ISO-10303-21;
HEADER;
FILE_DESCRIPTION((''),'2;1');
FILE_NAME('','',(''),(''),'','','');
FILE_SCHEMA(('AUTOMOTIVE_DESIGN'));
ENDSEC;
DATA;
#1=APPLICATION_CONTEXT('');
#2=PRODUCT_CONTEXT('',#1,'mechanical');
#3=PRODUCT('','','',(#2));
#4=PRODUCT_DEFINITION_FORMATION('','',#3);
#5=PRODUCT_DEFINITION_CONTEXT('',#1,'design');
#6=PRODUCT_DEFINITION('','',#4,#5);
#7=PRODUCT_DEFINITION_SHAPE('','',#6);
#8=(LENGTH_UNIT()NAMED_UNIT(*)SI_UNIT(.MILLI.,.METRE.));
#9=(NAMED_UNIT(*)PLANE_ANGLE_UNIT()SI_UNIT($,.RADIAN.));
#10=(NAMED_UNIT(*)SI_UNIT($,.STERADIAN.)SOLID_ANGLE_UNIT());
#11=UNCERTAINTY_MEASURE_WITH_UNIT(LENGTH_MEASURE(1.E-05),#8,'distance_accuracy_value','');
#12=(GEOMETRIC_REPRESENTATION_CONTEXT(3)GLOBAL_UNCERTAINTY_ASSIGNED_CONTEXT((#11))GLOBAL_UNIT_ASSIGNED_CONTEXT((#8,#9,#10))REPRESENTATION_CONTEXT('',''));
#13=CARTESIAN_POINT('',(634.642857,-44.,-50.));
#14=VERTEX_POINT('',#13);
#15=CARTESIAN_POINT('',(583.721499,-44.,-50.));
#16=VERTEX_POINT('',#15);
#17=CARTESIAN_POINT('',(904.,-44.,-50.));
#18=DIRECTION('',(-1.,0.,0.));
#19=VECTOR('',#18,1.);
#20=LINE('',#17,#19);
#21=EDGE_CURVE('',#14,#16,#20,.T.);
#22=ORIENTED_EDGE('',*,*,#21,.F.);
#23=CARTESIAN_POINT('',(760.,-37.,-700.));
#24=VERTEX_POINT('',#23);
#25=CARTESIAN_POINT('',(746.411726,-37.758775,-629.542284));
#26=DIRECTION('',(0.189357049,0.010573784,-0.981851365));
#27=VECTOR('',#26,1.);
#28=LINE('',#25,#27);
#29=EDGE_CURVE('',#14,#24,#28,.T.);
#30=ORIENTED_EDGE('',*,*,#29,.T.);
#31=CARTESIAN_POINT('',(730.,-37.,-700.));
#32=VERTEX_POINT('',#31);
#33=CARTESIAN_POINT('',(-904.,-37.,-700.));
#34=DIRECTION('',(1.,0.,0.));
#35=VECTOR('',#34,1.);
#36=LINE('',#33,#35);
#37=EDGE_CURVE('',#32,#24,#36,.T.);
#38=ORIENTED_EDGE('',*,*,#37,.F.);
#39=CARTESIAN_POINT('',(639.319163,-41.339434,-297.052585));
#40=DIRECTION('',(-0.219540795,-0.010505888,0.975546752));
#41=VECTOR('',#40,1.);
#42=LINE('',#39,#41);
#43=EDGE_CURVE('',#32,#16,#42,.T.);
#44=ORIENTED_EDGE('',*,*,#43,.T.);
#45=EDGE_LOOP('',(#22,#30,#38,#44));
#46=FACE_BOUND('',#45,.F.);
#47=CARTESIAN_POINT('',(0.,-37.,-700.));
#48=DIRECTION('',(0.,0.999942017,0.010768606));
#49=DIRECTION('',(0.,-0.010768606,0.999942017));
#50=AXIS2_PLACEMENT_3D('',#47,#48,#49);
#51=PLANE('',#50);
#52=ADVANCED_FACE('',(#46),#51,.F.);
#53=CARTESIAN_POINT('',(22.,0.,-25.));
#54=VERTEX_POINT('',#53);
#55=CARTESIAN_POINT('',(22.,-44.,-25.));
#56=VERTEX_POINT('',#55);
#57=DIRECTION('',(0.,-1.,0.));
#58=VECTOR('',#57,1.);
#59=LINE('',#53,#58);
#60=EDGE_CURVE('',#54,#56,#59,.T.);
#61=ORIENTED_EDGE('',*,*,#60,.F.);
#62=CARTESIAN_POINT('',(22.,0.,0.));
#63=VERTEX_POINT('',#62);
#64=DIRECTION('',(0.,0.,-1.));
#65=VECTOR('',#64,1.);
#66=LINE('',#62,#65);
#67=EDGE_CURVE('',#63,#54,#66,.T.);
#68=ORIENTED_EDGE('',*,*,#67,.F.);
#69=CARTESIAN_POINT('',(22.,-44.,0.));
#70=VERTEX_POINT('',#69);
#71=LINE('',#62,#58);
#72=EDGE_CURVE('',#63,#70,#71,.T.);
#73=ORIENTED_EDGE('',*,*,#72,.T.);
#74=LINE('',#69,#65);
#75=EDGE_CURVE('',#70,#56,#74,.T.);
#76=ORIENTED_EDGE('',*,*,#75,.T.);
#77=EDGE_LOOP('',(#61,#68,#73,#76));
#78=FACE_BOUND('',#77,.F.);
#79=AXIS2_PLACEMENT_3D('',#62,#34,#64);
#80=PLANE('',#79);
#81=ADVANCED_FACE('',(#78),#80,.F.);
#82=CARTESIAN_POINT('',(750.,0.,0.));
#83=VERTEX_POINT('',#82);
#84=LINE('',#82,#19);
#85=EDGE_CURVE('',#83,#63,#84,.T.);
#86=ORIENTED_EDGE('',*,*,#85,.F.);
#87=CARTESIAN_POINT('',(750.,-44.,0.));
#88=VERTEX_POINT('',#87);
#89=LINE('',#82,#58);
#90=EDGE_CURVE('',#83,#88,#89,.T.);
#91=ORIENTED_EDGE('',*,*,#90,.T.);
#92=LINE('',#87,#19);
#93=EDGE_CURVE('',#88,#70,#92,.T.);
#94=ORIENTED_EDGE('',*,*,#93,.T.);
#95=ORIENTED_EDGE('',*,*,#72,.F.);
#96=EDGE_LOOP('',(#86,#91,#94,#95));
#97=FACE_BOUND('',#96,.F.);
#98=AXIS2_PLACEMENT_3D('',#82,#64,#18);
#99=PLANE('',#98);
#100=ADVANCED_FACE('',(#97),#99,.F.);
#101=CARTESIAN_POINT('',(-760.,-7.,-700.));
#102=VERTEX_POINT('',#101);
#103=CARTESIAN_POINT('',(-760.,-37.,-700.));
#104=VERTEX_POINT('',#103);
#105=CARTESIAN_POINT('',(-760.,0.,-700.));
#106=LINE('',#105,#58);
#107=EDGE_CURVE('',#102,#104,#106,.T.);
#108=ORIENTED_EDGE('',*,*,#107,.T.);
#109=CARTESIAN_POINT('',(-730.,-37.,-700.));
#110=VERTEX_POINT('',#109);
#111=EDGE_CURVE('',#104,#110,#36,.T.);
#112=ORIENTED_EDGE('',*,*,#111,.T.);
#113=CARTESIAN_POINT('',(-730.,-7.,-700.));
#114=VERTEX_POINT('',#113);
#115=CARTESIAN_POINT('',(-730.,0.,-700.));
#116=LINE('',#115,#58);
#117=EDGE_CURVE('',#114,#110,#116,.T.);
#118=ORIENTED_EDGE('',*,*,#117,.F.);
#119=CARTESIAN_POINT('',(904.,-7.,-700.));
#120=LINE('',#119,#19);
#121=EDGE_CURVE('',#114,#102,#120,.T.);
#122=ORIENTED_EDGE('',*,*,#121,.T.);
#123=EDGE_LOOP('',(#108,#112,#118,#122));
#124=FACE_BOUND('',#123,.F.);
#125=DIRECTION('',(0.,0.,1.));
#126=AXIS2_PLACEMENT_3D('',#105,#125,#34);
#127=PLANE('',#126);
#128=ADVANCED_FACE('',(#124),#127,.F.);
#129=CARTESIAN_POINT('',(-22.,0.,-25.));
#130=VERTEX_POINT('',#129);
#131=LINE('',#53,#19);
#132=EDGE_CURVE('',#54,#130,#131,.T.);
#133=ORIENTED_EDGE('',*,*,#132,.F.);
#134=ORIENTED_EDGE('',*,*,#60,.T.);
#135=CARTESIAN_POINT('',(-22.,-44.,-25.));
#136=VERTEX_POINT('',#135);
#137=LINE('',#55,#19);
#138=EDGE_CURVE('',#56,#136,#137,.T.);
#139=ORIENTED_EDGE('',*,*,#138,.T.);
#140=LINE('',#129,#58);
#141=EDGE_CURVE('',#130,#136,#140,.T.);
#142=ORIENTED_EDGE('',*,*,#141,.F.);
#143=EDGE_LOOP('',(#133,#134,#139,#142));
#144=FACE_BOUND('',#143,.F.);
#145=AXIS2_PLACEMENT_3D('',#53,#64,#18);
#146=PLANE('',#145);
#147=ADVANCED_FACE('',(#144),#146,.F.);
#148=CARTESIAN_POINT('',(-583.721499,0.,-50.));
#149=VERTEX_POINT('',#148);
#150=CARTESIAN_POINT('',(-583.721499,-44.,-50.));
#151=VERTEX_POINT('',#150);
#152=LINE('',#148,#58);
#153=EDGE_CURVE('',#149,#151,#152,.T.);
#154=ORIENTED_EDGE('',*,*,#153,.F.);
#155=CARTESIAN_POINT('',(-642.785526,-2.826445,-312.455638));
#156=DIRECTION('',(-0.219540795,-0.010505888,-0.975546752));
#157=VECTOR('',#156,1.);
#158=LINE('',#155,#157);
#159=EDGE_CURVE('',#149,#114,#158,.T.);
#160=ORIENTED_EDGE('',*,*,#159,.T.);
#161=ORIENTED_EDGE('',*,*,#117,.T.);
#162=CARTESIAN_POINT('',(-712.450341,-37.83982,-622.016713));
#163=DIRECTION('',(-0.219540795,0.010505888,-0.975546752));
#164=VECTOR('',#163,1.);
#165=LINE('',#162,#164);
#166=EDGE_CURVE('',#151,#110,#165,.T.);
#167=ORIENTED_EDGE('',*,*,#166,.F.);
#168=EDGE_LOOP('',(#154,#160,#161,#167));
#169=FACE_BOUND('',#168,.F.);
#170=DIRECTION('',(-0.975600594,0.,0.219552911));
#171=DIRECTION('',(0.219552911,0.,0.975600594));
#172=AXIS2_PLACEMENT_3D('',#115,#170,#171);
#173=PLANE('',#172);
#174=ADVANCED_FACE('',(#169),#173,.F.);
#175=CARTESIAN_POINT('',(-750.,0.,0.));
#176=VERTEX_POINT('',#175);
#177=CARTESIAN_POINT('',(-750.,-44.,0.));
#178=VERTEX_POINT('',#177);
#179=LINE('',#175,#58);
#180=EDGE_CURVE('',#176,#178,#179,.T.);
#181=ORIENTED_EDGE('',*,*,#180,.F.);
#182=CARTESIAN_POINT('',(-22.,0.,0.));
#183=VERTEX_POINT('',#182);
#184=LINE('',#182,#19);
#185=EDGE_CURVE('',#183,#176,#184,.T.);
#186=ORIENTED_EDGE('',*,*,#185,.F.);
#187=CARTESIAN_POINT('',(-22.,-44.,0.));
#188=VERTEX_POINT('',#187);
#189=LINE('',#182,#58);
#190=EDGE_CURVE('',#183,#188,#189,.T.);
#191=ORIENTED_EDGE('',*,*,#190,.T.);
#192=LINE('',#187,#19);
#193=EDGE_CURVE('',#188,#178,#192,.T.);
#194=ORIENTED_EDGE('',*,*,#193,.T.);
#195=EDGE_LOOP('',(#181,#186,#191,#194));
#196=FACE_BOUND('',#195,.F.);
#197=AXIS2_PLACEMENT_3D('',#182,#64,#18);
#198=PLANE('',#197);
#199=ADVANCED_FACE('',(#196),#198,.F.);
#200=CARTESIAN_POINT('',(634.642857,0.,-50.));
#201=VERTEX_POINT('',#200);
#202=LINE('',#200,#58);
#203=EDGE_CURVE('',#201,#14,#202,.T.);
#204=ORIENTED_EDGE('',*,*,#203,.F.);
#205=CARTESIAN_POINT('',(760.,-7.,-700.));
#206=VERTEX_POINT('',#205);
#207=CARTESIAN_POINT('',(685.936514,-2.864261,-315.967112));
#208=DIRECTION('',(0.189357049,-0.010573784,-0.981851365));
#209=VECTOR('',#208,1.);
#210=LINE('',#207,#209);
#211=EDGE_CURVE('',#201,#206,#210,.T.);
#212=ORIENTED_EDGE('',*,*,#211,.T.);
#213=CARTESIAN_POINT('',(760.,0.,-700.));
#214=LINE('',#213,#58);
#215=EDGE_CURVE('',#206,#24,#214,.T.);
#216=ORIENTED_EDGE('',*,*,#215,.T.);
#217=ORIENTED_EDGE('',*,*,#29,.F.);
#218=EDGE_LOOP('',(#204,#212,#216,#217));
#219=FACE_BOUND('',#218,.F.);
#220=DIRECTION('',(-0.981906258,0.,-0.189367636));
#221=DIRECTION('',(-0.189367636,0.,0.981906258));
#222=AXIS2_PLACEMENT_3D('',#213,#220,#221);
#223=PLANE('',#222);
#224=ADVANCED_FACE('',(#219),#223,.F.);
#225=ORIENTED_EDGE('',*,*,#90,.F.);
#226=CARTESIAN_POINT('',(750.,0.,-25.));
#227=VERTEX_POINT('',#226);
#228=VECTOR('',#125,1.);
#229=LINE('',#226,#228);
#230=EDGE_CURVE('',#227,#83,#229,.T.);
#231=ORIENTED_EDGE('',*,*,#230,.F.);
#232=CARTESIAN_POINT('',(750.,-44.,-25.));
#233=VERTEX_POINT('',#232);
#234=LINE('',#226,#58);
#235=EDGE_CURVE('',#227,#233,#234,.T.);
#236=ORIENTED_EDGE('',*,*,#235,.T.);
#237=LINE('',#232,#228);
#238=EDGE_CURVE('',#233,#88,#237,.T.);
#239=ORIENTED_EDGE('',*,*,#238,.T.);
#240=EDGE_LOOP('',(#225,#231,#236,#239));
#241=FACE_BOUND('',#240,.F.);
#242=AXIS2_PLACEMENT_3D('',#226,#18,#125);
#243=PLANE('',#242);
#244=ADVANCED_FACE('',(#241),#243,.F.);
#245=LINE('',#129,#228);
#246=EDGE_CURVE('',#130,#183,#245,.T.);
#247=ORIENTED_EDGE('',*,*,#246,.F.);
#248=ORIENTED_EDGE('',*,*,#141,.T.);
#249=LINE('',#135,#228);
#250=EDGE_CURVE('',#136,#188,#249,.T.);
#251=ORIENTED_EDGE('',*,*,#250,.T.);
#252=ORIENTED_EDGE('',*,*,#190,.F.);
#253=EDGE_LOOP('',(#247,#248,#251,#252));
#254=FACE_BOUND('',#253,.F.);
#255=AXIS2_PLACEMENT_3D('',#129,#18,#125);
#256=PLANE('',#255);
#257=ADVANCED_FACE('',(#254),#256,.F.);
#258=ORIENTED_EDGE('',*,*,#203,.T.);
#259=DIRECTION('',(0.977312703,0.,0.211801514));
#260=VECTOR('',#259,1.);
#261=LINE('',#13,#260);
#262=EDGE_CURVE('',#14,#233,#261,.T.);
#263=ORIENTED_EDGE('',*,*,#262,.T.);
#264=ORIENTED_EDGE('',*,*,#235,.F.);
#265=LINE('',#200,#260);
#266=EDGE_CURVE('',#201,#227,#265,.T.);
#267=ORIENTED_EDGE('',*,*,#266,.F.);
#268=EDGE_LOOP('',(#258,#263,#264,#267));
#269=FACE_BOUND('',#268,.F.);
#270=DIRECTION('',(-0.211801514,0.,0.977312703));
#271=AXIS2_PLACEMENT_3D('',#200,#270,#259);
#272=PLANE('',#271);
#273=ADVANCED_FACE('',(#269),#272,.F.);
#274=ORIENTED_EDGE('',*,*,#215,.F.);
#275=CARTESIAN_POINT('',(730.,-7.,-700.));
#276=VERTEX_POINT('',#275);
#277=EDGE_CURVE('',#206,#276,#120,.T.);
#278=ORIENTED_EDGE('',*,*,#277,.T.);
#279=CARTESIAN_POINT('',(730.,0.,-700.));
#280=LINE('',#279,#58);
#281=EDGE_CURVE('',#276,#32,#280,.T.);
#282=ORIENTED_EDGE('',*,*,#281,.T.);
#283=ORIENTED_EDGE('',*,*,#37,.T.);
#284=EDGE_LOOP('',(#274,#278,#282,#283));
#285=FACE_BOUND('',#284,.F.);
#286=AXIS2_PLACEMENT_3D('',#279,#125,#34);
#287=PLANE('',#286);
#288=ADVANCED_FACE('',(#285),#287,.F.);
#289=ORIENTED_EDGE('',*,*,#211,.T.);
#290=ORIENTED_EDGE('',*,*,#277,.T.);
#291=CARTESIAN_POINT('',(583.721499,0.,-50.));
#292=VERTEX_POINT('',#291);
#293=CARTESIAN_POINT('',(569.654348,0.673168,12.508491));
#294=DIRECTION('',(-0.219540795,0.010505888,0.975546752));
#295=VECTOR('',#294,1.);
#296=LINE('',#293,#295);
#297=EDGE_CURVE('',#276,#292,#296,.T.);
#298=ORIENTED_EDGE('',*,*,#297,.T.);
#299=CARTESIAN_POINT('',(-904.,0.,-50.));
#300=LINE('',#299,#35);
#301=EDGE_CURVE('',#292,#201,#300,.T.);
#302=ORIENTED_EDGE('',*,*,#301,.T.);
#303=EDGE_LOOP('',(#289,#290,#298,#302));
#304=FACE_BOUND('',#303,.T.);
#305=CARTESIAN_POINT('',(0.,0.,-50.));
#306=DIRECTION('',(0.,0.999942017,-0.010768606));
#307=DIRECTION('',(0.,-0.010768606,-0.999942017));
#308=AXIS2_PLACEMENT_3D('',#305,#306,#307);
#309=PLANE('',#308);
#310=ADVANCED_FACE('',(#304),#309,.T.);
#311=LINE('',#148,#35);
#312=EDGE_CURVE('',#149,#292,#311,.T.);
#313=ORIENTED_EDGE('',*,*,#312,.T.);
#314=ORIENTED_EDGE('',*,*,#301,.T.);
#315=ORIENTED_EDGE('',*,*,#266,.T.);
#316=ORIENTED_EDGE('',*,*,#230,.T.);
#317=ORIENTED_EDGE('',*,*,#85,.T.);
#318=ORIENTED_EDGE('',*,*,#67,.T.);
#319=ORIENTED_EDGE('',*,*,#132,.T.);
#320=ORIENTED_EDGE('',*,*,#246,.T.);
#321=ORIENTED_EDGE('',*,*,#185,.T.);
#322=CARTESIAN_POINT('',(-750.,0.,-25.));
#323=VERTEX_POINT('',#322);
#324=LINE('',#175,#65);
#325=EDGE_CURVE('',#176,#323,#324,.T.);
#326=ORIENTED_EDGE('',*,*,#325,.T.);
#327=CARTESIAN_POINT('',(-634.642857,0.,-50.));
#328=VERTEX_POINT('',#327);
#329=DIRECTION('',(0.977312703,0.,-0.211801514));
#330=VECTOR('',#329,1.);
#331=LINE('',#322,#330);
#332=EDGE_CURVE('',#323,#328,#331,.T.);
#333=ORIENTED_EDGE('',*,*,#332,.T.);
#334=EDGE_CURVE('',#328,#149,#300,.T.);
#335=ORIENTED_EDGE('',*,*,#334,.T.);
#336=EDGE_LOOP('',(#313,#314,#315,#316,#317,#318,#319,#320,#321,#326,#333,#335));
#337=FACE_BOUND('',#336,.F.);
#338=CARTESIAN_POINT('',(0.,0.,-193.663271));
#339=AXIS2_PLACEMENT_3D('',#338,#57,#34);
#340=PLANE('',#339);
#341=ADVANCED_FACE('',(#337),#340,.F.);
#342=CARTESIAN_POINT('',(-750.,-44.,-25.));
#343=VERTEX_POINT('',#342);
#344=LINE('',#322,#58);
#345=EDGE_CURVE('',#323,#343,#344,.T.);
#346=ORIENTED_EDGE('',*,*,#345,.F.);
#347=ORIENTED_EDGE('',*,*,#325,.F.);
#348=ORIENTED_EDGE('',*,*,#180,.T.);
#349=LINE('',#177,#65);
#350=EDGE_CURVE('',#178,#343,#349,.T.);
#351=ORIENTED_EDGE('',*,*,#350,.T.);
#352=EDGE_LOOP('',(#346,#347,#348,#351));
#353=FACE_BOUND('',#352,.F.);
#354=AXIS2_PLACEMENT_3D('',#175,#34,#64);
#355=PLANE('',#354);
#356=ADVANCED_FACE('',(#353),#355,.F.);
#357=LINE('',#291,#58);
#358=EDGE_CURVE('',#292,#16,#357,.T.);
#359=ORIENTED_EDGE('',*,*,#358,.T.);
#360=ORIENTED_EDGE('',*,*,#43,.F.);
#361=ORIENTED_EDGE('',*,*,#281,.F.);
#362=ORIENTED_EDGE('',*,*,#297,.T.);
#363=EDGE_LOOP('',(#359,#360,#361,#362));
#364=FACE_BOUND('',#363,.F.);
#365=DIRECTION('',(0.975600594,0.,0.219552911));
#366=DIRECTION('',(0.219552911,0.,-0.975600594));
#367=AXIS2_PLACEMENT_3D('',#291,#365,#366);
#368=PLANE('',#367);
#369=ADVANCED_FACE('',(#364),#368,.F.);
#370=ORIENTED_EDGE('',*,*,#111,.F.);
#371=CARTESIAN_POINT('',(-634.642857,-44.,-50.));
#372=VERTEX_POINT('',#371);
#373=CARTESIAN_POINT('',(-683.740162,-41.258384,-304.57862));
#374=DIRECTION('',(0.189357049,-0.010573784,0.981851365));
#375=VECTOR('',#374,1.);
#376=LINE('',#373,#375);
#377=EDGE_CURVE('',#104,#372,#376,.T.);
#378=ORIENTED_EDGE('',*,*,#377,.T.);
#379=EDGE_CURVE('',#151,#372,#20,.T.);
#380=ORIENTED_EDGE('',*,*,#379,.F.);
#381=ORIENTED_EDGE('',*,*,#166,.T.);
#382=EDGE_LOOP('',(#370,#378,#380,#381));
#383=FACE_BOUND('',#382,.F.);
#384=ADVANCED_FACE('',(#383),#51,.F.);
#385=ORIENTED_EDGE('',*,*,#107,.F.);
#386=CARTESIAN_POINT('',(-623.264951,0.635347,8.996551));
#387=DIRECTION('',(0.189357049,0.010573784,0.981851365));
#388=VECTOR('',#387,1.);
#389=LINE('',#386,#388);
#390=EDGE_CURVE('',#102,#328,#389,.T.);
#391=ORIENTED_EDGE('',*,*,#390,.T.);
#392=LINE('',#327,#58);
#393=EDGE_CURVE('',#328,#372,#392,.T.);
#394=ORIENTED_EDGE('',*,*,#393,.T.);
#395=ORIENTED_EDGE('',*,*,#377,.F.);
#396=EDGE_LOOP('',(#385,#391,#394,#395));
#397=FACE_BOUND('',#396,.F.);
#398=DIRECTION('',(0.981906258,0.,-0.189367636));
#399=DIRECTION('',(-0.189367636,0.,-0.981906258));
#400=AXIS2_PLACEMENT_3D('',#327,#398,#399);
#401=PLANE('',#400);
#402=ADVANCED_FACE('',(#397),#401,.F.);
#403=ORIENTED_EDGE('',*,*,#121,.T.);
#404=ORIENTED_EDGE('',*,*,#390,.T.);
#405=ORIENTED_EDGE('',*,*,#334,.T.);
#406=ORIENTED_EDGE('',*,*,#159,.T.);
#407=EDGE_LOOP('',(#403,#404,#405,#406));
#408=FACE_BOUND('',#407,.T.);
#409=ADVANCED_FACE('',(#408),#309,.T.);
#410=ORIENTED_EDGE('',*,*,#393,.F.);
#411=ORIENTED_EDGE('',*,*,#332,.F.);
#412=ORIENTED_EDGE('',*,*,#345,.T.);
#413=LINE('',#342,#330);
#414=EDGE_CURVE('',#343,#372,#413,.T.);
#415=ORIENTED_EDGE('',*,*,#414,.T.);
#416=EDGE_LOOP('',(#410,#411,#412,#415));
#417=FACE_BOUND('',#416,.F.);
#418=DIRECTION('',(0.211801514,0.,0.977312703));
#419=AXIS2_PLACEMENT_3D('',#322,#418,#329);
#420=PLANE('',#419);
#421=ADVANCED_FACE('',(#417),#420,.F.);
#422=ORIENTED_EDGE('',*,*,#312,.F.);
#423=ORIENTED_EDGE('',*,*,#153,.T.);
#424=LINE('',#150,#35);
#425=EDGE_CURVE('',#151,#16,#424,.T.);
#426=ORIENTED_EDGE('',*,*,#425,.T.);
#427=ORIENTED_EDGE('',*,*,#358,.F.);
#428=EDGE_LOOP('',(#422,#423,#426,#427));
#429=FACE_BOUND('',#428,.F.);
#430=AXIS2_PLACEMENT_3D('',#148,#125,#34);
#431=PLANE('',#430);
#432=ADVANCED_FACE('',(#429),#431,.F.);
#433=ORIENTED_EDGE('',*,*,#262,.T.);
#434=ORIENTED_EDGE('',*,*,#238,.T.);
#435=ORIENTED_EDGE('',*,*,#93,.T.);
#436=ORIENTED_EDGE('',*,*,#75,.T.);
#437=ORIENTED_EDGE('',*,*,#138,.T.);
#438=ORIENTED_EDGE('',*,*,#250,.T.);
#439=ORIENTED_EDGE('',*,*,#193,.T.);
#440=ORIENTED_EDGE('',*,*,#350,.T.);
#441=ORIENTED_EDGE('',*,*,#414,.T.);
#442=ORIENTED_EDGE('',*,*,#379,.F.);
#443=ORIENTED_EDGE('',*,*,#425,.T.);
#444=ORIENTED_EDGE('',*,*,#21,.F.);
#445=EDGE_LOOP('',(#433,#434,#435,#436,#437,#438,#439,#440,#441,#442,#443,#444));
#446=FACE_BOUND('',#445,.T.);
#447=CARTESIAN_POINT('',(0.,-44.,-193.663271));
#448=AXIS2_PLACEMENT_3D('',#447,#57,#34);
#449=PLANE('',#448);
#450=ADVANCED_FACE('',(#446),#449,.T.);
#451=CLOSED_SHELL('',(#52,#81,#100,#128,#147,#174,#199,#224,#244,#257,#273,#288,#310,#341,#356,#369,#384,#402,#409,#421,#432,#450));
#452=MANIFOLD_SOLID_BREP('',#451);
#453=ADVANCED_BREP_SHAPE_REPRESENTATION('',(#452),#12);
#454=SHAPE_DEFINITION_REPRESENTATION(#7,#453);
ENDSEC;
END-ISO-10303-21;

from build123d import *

# Parameters (mm, degrees)
F1_DEPTH = 44
F3_DEPTH = 904


with BuildPart() as f1:
    # F0 (on Front) → F1 (new body)
    with BuildSketch(Plane.XZ):
        Polygon((-22, -25), (-22, 0), (-750, 0), (-750, -25), (-634.642857, -50), (-760, -700), (-730, -700), (-583.721499, -50), (0, -50), (583.721499, -50), (730, -700), (760, -700), (634.642857, -50), (750, -25), (750, 0), (22, 0), (22, -25), (0, -25), align=None)
    extrude(amount=F1_DEPTH)

    # F2 (on Right) → F3 (cut, symmetric)
    with BuildSketch(Plane.YZ):
        Polygon((0, -700), (0, -50), (-7, -700), align=None)
        Polygon((-44, -700), (-37, -700), (-44, -50), align=None)
    extrude(amount=F3_DEPTH, both=True, mode=Mode.SUBTRACT)


solid = f1.part
